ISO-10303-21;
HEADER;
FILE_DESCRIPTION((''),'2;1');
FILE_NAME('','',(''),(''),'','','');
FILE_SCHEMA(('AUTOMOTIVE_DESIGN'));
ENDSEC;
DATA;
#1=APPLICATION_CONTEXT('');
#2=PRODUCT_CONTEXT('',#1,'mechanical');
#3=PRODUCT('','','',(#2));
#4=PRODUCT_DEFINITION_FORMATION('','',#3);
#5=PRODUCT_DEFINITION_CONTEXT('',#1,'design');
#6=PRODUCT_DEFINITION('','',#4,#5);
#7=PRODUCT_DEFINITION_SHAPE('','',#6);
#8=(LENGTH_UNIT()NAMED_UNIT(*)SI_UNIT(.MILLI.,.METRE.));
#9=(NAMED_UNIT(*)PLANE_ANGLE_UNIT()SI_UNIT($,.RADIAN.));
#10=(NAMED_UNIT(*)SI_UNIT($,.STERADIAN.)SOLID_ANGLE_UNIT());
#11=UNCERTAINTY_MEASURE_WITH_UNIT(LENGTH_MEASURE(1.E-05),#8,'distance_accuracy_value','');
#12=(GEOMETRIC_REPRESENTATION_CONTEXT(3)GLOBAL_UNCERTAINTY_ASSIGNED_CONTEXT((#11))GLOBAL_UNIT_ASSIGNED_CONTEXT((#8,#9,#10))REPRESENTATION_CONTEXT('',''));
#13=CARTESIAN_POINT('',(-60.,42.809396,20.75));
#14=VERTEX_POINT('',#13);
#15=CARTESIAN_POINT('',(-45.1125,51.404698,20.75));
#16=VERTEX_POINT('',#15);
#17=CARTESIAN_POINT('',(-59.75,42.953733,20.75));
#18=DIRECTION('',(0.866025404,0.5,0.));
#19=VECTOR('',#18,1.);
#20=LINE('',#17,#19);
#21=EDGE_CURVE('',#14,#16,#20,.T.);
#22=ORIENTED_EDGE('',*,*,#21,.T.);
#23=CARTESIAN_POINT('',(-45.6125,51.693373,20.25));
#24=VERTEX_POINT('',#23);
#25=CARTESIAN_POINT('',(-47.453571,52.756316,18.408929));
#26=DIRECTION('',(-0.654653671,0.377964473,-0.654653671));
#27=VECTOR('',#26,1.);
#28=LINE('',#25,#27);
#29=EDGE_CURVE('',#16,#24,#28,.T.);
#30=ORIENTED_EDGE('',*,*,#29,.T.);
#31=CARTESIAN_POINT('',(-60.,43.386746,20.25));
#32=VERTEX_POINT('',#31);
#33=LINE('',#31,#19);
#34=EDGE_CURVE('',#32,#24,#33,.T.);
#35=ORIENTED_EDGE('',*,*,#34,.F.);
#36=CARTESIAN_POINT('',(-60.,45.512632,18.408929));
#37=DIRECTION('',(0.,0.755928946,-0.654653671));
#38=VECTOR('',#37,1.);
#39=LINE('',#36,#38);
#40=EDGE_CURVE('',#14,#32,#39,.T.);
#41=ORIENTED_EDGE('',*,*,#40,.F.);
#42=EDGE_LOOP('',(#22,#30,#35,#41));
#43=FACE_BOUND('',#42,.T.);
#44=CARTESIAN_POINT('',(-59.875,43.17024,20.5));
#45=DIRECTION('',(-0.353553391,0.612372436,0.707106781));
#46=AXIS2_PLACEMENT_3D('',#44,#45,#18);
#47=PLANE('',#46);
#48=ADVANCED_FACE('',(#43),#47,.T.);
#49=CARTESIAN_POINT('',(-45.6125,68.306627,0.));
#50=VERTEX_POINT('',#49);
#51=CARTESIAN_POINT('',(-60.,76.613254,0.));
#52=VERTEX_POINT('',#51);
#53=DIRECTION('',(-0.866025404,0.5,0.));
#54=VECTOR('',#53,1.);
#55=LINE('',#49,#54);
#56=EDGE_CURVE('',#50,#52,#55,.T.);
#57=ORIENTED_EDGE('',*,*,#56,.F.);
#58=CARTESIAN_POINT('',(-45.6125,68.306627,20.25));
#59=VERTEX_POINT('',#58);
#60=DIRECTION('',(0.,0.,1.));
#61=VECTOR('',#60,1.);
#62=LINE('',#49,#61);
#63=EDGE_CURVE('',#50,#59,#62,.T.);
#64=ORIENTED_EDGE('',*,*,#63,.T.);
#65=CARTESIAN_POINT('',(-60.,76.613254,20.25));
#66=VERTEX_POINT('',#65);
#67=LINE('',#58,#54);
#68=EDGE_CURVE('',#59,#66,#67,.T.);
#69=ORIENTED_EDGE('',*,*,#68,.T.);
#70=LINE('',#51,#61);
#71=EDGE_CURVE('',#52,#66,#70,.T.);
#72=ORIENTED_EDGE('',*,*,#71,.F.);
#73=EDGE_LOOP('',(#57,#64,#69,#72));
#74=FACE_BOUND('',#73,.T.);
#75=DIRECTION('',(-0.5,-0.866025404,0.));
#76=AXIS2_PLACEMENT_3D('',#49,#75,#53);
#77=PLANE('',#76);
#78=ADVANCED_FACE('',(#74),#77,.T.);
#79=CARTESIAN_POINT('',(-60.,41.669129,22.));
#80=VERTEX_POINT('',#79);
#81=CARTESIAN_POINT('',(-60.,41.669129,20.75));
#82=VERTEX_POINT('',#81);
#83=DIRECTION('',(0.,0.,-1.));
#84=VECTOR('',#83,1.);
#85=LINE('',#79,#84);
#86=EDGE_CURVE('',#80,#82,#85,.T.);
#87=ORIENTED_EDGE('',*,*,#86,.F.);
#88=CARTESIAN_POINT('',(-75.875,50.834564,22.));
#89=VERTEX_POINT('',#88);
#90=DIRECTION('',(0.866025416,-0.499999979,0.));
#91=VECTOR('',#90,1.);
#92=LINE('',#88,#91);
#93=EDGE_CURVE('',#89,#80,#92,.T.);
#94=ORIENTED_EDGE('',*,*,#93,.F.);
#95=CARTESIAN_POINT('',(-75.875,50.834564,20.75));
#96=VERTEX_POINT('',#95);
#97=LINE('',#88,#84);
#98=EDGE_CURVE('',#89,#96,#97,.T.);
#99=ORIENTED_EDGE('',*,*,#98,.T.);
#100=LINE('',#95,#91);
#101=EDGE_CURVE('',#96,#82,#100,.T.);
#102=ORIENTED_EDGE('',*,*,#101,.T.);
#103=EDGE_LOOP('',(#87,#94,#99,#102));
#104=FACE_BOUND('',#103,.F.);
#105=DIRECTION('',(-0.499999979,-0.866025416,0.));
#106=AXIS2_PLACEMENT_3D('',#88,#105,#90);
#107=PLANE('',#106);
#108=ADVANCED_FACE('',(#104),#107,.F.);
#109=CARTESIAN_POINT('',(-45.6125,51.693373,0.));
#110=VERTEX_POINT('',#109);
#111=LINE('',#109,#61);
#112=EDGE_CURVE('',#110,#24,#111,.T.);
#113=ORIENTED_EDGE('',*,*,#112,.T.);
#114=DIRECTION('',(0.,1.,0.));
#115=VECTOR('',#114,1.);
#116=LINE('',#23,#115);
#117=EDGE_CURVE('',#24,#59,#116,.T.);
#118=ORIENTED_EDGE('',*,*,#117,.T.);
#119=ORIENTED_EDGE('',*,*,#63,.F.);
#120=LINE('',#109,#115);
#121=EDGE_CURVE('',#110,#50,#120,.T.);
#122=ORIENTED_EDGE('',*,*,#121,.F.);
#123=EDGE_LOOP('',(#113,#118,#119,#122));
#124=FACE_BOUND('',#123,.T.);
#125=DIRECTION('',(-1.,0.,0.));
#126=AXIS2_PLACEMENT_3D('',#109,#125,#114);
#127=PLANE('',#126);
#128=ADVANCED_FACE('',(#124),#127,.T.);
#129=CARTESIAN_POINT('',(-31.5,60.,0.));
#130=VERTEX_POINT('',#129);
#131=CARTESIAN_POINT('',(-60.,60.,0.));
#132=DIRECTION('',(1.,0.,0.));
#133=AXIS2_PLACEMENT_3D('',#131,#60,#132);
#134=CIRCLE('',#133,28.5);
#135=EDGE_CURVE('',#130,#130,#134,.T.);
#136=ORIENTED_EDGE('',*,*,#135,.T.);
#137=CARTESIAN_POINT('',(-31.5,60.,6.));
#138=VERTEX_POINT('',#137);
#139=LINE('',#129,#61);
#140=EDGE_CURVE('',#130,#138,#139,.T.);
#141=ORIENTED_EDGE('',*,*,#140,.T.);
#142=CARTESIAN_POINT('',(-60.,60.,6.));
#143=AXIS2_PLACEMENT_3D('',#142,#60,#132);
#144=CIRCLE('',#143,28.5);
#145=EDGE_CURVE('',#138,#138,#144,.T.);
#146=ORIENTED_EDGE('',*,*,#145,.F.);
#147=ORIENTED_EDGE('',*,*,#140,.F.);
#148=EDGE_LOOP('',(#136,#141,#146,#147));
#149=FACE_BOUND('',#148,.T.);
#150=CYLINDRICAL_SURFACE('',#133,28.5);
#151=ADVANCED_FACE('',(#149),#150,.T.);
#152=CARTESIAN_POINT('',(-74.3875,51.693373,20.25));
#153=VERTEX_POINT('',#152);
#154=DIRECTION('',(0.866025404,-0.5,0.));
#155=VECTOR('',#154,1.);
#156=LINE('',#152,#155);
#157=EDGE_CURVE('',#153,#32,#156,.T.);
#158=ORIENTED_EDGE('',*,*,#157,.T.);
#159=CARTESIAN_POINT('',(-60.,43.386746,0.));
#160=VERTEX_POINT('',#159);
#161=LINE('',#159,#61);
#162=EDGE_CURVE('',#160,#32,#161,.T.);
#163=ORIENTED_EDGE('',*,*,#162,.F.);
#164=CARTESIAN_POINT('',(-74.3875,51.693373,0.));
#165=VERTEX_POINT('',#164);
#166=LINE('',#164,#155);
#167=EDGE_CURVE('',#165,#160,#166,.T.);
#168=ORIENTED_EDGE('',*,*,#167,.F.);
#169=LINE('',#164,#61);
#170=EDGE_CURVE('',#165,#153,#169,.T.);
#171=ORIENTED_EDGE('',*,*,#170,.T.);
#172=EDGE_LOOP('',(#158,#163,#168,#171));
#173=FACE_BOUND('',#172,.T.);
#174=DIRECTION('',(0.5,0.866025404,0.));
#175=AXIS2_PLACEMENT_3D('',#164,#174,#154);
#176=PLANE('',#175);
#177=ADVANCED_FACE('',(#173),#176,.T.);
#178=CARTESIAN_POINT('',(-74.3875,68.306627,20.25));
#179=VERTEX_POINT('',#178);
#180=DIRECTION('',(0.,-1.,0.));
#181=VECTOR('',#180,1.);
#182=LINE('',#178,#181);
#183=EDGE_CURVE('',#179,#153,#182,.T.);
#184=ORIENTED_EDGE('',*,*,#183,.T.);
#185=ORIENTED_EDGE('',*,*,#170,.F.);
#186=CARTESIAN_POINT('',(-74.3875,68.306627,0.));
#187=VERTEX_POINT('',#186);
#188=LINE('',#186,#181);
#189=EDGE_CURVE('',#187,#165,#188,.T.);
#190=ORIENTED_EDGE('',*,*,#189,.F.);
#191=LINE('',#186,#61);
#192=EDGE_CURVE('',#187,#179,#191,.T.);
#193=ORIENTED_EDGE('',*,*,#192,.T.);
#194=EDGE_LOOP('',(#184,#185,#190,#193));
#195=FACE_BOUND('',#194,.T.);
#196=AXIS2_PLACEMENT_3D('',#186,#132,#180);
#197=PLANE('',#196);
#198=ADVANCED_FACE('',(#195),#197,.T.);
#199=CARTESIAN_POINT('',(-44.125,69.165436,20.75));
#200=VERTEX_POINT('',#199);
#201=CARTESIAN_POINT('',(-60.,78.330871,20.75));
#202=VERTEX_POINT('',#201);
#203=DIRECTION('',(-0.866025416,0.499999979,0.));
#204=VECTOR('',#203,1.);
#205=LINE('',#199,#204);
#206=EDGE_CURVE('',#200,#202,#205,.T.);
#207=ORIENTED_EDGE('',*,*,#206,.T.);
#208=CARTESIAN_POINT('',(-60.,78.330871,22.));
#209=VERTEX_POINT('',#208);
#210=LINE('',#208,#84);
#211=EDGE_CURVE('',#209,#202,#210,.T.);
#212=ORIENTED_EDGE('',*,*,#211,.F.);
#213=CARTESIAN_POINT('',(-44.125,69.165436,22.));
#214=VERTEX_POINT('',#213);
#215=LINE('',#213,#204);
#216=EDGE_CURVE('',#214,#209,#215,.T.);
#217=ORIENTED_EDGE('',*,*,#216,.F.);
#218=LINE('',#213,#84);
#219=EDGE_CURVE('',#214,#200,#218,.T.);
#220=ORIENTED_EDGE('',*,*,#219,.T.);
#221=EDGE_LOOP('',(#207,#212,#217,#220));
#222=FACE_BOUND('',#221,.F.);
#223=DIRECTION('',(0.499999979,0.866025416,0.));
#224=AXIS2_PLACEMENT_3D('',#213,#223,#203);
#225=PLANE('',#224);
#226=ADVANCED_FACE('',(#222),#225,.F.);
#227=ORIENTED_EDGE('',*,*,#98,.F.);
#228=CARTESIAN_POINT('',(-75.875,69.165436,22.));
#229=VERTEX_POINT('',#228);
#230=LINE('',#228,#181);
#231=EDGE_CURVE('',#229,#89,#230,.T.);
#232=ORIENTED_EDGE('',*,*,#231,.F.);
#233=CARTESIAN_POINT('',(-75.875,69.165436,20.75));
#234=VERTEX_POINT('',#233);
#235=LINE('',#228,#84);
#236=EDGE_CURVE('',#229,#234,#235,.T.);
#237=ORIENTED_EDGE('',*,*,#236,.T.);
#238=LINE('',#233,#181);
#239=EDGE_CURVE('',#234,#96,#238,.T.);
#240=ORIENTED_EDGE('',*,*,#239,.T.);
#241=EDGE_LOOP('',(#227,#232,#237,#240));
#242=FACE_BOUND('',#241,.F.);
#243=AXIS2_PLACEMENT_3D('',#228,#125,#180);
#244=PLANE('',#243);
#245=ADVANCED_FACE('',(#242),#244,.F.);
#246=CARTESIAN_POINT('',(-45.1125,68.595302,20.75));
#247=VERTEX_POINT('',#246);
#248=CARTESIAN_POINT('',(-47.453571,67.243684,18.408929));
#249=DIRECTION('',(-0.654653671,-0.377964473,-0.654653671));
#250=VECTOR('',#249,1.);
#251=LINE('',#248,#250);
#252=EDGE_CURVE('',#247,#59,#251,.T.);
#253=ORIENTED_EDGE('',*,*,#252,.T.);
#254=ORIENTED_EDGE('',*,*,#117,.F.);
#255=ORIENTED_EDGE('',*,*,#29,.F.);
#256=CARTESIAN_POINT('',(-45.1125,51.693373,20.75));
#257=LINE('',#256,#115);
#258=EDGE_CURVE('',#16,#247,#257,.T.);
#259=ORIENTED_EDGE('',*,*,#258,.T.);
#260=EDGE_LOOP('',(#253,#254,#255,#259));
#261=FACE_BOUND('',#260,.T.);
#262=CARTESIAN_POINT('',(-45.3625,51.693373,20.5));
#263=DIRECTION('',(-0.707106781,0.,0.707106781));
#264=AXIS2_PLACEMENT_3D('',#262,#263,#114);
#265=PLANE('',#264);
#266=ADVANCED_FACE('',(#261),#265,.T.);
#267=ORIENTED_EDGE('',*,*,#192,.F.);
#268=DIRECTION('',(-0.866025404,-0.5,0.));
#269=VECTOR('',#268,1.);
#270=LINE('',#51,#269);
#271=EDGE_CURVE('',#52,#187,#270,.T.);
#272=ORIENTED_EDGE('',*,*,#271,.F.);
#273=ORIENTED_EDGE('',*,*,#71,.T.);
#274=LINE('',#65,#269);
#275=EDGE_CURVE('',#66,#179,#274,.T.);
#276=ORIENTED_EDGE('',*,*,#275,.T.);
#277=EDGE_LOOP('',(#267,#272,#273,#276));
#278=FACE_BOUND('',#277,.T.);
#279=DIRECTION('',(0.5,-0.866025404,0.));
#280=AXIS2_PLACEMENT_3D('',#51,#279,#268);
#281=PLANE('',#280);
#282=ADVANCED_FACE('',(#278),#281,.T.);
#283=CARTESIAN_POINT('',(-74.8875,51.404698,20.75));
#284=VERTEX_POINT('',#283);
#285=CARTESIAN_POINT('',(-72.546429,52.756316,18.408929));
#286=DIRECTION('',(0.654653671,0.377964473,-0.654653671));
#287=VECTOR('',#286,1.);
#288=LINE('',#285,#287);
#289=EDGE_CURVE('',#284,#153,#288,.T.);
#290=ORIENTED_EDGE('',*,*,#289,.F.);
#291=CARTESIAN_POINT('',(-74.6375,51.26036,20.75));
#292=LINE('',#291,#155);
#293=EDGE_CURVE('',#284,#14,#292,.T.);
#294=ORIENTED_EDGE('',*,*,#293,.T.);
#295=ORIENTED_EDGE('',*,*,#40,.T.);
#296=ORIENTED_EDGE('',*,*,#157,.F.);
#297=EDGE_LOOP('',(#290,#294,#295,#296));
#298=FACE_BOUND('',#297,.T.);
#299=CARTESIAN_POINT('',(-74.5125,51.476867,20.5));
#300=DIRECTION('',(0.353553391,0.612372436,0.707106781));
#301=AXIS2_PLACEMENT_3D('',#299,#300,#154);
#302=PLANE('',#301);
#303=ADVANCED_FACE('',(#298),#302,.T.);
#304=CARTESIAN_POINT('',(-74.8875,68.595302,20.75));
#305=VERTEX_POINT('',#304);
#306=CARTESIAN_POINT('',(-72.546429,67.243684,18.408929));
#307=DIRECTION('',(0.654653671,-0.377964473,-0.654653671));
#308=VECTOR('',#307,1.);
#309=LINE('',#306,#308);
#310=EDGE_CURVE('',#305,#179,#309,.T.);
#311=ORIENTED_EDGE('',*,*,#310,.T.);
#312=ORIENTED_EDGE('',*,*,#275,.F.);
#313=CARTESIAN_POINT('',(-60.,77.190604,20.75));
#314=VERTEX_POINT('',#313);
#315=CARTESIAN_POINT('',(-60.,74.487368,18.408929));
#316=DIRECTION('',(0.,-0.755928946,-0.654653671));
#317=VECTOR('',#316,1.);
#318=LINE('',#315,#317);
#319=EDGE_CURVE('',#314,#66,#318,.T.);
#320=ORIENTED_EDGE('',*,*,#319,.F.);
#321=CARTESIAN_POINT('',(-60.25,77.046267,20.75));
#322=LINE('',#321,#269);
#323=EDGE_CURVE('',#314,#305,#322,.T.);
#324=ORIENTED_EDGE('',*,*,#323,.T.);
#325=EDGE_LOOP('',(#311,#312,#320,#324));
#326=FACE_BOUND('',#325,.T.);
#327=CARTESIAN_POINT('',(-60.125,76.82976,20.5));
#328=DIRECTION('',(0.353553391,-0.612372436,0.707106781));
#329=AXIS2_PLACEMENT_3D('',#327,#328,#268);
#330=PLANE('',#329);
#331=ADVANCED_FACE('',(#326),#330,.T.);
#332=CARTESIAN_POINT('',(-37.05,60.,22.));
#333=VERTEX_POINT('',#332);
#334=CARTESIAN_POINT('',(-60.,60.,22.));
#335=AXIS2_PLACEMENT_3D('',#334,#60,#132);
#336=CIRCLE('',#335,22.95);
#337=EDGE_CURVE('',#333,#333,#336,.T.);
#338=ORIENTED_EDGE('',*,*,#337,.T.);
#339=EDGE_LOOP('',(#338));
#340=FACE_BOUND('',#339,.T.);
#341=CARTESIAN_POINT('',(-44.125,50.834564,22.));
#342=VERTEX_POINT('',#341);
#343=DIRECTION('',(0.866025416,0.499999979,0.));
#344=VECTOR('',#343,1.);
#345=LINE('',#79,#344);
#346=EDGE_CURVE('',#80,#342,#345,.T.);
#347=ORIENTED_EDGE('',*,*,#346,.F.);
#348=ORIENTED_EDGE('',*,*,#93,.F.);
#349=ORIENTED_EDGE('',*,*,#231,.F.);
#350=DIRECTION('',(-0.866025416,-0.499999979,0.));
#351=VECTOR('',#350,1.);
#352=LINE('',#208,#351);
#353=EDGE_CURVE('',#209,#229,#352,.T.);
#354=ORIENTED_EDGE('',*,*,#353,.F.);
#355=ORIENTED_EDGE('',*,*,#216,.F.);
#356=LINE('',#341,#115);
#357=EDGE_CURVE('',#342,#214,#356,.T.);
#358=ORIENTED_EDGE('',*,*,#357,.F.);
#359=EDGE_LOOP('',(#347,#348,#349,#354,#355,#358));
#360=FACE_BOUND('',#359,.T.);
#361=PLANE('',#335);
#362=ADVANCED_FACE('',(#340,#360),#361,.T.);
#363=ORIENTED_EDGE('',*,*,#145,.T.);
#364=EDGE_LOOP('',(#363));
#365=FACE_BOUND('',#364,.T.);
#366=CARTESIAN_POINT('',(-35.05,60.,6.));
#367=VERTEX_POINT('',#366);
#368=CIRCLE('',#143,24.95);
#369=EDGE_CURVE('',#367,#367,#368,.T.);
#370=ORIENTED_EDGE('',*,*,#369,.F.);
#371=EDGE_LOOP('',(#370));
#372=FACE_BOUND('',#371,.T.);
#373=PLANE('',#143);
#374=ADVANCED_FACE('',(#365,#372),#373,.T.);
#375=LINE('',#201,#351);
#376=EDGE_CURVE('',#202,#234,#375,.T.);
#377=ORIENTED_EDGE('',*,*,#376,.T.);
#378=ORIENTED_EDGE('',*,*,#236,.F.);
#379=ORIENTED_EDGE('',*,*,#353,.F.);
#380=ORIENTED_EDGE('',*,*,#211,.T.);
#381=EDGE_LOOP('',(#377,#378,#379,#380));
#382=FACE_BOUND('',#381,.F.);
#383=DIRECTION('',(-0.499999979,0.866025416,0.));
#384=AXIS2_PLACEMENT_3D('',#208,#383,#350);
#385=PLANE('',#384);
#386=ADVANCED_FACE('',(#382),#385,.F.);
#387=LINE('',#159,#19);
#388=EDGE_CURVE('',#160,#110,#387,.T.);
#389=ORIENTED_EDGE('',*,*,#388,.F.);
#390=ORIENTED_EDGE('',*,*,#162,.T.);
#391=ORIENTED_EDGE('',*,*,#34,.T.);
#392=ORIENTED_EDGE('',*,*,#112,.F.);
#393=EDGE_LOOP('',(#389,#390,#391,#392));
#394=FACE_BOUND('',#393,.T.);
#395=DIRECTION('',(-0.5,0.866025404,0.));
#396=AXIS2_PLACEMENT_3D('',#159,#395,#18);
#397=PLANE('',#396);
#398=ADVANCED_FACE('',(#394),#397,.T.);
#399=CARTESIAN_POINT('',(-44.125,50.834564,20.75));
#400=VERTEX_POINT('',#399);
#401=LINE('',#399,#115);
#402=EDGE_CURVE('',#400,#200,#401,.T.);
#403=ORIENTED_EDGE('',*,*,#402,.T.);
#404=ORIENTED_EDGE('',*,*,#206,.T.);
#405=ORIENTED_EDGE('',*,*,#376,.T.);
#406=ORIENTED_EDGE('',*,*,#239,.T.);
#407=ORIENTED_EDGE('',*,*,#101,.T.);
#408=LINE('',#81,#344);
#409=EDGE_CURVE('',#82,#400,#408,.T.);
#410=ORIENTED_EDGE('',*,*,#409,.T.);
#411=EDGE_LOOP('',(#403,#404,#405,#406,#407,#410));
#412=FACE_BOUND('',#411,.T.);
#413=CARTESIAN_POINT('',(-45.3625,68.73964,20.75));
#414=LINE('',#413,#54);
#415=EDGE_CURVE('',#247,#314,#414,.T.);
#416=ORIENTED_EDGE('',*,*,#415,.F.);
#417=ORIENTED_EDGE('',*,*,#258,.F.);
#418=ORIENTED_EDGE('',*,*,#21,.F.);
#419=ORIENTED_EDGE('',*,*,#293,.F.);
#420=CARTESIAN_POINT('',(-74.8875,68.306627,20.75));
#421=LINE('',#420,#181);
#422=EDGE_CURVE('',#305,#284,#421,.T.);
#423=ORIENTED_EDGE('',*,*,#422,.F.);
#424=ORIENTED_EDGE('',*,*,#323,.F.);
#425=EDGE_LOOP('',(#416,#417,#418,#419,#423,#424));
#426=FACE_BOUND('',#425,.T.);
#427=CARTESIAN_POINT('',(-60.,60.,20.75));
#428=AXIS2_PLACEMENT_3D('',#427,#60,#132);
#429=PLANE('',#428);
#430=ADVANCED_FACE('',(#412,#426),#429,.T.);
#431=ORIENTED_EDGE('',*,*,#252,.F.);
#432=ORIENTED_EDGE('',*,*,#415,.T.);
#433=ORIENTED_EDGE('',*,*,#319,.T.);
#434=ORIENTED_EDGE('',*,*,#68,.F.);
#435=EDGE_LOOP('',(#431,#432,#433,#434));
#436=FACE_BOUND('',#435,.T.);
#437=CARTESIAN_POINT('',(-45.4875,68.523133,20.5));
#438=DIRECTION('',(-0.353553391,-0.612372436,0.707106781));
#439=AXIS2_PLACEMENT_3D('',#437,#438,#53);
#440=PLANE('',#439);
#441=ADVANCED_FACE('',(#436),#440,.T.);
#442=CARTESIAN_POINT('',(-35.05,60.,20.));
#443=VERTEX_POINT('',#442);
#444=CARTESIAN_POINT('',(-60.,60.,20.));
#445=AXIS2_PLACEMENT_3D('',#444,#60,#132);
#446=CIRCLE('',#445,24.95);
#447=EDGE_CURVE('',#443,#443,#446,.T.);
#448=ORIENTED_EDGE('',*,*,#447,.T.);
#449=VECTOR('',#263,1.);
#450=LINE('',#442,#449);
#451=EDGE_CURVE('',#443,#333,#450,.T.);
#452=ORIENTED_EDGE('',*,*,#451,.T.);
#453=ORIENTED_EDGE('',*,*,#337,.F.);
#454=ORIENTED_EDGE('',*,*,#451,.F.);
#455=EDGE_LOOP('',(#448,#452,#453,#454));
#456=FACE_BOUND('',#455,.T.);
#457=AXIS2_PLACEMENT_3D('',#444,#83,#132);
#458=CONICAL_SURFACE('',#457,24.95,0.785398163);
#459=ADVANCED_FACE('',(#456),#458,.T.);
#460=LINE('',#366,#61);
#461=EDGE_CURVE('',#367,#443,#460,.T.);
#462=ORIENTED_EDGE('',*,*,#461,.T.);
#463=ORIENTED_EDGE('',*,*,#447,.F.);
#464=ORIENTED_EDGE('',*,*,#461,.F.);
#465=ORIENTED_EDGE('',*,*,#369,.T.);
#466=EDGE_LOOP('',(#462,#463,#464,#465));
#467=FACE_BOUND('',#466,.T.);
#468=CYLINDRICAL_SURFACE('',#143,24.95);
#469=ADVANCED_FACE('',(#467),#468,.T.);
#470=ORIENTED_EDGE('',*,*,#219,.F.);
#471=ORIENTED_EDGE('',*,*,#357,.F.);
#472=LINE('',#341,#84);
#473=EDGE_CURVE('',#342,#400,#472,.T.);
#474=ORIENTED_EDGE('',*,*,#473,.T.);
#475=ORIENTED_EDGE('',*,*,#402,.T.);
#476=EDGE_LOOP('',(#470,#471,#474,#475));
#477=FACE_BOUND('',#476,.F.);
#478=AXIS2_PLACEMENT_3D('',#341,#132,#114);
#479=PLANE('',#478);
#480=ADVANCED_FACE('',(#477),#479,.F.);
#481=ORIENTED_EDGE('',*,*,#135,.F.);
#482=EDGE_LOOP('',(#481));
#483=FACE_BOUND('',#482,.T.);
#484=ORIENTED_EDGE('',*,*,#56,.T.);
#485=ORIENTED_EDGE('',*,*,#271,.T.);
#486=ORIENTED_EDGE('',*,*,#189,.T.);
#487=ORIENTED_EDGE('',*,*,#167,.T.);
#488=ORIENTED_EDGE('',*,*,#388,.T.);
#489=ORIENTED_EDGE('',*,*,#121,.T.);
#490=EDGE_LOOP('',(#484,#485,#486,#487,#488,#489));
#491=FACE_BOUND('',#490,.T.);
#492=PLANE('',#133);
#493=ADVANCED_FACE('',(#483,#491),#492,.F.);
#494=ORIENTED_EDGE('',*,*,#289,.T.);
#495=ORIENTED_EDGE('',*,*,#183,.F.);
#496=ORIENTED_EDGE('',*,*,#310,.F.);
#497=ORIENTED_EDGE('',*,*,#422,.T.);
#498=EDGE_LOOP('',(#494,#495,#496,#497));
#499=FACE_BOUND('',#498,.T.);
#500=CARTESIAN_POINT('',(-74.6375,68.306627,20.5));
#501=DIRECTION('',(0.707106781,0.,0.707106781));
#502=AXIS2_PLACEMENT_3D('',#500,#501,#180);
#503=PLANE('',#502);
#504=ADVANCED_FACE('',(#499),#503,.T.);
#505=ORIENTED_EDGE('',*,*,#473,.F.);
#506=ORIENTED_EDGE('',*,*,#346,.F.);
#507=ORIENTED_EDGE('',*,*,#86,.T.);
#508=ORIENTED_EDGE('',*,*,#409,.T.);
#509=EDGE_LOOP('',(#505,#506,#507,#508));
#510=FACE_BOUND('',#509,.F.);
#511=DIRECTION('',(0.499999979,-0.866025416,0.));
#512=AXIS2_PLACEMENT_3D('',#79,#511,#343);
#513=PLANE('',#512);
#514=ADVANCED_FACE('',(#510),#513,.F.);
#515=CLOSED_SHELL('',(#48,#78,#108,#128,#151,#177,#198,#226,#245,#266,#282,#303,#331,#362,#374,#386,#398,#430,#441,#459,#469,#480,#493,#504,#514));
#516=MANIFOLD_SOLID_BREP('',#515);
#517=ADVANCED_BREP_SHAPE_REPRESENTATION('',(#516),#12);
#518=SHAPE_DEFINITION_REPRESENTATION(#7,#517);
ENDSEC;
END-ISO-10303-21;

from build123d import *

# Parameters (mm, degrees)
POCKET023_DEPTH = 22.001
POCKET024_DEPTH = 1.25
CHAMFER_SIZE    = 2
CHAMFER001_SIZE = 0.5


with BuildPart() as part:
    # Sketch032 (on XZ_Plane051 of Origin102) → Revolution010 (revolve)
    with BuildSketch(Plane.XZ):
        Polygon((0, 0), (28.5, 0), (28.5, 6), (24.95, 6), (24.95, 22), (0, 22), align=None)
    revolve(axis=Axis((0, 0, 0), (0, 0, 1)))

    # Sketch033 (on XY_Plane051 of Origin102) → Pocket023 (cut, through all)
    with BuildSketch(Plane.XY):
        Polygon((14.3875, 8.306627), (0, 16.613254), (-14.3875, 8.306627), (-14.3875, -8.306627), (0, -16.613254), (14.3875, -8.306627), align=None)
    extrude(amount=POCKET023_DEPTH, mode=Mode.SUBTRACT)

    # Sketch034 (on XY_Plane051 of Origin102) → Pocket024 (cut)
    with BuildSketch(Plane.XY.offset(22)):
        Polygon((15.875, -9.165436), (15.875, 9.165436), (0, 18.330871), (-15.875, 9.165436), (-15.875, -9.165436), (0, -18.330871), align=None)
    extrude(amount=-POCKET024_DEPTH, mode=Mode.SUBTRACT)

    # Chamfer
    chamfer_edges = [part.edges().sort_by_distance(p)[0] for p in [
        (-24.95, 0, 22),
    ]]
    chamfer(chamfer_edges, length=CHAMFER_SIZE)

    # Chamfer001
    chamfer001_edges = [part.edges().sort_by_distance(p)[0] for p in [
        (-14.3875, 0, 20.75),
        (-7.19375, 12.45994, 20.75),
        (7.19375, 12.45994, 20.75),
        (14.3875, 0, 20.75),
        (7.19375, -12.45994, 20.75),
        (-7.19375, -12.45994, 20.75),
    ]]
    chamfer(chamfer001_edges, length=CHAMFER001_SIZE)


with BuildPart() as part_1:
    # Body055 placement: moved
    add(part.part.moved(Location((-60, 60, 0))))


solid = part_1.part
